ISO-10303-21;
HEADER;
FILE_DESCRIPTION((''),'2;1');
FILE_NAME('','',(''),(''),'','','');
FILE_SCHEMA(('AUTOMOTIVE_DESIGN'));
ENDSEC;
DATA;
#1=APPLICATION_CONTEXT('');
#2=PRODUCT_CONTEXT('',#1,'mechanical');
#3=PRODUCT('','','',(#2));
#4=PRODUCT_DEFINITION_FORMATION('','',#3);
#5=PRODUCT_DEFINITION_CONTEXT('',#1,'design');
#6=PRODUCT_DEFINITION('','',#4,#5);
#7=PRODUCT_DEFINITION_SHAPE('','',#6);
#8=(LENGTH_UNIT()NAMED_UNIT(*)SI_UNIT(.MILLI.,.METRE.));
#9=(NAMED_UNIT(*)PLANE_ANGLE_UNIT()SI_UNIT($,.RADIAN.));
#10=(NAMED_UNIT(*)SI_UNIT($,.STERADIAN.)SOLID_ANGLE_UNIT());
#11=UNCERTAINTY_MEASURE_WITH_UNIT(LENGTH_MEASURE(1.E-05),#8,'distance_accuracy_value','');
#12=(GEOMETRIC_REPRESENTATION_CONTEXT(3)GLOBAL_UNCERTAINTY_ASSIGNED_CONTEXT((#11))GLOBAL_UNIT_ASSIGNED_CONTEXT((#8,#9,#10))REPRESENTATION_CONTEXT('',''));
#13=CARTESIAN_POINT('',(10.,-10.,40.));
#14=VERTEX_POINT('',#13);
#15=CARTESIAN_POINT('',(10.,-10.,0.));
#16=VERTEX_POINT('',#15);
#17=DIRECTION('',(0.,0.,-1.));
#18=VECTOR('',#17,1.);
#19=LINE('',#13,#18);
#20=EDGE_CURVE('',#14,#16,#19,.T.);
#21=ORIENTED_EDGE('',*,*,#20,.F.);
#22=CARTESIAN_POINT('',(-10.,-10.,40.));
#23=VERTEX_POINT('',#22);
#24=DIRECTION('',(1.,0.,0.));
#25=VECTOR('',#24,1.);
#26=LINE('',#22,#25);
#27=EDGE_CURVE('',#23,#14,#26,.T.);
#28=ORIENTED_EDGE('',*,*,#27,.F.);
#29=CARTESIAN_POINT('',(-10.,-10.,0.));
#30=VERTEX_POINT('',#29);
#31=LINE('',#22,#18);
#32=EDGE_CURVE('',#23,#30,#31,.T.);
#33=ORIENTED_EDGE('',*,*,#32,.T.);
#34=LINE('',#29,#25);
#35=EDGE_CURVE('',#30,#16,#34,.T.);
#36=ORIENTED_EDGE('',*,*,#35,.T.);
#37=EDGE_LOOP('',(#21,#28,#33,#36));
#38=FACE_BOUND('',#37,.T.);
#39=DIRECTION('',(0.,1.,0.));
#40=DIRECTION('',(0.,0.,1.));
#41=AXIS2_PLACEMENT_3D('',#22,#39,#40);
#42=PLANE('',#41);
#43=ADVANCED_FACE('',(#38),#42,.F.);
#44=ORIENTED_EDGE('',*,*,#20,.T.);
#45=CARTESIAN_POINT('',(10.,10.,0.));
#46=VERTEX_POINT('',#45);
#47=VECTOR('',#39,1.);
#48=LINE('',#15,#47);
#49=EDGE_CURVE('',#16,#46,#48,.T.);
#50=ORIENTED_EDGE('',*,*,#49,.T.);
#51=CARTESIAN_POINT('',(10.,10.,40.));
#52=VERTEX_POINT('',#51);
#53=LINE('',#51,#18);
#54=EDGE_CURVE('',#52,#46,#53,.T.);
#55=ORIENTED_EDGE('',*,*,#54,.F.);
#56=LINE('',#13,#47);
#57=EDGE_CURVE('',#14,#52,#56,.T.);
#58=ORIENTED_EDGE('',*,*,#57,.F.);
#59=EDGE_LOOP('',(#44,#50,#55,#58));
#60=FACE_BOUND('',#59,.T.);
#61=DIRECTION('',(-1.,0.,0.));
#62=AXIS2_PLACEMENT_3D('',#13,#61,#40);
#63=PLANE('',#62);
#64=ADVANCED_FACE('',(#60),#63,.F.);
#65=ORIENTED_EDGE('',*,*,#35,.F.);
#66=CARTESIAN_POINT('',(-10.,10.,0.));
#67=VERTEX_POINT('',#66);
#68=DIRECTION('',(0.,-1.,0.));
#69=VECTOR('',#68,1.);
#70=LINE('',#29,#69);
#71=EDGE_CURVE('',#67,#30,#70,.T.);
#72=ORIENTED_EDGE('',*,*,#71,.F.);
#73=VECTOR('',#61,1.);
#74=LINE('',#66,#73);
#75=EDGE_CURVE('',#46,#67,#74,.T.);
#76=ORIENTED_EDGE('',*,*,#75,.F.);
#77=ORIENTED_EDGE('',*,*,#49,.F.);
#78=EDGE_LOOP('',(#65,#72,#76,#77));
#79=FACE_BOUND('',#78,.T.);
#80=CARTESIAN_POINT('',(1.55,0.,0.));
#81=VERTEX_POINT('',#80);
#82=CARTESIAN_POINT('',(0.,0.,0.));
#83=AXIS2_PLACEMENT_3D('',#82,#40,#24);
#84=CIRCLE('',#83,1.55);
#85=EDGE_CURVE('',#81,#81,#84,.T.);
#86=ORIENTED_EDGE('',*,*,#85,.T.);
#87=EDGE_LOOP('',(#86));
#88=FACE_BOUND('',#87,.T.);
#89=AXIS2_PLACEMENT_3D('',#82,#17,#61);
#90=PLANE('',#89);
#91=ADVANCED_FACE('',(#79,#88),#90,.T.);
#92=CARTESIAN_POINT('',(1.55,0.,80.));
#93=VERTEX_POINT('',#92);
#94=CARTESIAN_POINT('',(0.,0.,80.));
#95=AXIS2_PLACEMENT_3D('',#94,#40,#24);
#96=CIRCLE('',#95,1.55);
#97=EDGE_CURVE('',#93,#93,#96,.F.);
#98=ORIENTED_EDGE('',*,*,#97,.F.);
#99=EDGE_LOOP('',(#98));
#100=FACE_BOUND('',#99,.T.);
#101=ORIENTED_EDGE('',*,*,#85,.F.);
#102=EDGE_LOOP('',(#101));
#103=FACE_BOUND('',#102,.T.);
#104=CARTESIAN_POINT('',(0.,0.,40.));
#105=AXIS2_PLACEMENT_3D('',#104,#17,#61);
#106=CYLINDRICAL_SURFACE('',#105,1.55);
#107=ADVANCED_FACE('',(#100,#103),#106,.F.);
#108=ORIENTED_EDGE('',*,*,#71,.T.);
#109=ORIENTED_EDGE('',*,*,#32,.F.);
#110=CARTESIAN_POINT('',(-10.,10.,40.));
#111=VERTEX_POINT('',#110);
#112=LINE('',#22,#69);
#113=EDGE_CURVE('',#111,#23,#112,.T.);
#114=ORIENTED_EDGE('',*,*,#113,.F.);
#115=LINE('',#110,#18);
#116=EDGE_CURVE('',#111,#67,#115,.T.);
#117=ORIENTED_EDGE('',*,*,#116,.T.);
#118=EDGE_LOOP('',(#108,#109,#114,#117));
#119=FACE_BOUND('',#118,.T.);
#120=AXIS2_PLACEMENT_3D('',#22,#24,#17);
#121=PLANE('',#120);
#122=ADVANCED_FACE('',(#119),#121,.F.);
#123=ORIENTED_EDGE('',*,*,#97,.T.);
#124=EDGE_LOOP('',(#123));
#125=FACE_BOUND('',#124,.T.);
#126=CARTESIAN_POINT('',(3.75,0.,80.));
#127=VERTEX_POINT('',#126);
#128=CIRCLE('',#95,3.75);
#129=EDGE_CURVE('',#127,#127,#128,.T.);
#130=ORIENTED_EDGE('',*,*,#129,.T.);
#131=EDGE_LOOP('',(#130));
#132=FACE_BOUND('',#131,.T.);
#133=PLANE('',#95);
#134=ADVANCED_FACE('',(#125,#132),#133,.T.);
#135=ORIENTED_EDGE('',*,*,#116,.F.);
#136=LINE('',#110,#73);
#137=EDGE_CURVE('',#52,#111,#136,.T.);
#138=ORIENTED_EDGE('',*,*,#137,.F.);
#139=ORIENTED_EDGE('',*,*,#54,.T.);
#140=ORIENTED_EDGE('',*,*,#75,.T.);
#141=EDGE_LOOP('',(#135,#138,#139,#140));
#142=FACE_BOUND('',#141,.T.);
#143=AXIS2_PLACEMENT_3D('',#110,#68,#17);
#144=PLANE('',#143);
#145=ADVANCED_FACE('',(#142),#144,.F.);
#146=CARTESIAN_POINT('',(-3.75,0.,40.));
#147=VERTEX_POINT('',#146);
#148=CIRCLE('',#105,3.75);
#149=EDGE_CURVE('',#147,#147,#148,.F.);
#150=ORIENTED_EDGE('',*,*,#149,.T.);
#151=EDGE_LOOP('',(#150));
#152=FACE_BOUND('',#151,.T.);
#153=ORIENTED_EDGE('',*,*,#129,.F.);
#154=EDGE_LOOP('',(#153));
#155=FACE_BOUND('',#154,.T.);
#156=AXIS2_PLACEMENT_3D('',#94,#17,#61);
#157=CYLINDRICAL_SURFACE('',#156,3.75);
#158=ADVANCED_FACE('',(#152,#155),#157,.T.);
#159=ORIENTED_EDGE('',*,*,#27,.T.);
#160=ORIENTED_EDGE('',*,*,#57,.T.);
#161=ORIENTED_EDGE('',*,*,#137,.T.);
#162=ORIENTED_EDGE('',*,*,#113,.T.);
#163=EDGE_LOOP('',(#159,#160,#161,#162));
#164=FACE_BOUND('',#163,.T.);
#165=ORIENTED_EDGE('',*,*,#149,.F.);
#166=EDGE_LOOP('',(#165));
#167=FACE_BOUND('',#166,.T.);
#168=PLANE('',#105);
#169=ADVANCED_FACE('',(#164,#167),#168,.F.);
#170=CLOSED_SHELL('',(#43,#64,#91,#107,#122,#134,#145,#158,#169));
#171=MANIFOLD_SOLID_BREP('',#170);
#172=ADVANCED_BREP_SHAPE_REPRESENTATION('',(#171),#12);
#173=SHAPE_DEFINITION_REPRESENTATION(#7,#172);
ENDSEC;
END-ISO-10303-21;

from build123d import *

# Parameters (mm, degrees)
SKETCH1_W           = 20
SKETCH1_H           = 20
SKETCH1_R           = 1.55
BOSS_EXTRUDE1_DEPTH = 40
SKETCH2_R           = 3.75
SKETCH2_R_2         = 1.55
BOSS_EXTRUDE2_DEPTH = 40


with BuildPart() as part:
    # Sketch1 → Boss-Extrude1 (new body)
    with BuildSketch(Plane.XY):
        Rectangle(SKETCH1_W, SKETCH1_H)
        Circle(SKETCH1_R, mode=Mode.SUBTRACT)
    extrude(amount=BOSS_EXTRUDE1_DEPTH)

    # Sketch2 → Boss-Extrude2 (add)
    with BuildSketch(Plane.XY.offset(40)):
        Circle(SKETCH2_R)
        Circle(SKETCH2_R_2, mode=Mode.SUBTRACT)
    extrude(amount=BOSS_EXTRUDE2_DEPTH)


solid = part.part
